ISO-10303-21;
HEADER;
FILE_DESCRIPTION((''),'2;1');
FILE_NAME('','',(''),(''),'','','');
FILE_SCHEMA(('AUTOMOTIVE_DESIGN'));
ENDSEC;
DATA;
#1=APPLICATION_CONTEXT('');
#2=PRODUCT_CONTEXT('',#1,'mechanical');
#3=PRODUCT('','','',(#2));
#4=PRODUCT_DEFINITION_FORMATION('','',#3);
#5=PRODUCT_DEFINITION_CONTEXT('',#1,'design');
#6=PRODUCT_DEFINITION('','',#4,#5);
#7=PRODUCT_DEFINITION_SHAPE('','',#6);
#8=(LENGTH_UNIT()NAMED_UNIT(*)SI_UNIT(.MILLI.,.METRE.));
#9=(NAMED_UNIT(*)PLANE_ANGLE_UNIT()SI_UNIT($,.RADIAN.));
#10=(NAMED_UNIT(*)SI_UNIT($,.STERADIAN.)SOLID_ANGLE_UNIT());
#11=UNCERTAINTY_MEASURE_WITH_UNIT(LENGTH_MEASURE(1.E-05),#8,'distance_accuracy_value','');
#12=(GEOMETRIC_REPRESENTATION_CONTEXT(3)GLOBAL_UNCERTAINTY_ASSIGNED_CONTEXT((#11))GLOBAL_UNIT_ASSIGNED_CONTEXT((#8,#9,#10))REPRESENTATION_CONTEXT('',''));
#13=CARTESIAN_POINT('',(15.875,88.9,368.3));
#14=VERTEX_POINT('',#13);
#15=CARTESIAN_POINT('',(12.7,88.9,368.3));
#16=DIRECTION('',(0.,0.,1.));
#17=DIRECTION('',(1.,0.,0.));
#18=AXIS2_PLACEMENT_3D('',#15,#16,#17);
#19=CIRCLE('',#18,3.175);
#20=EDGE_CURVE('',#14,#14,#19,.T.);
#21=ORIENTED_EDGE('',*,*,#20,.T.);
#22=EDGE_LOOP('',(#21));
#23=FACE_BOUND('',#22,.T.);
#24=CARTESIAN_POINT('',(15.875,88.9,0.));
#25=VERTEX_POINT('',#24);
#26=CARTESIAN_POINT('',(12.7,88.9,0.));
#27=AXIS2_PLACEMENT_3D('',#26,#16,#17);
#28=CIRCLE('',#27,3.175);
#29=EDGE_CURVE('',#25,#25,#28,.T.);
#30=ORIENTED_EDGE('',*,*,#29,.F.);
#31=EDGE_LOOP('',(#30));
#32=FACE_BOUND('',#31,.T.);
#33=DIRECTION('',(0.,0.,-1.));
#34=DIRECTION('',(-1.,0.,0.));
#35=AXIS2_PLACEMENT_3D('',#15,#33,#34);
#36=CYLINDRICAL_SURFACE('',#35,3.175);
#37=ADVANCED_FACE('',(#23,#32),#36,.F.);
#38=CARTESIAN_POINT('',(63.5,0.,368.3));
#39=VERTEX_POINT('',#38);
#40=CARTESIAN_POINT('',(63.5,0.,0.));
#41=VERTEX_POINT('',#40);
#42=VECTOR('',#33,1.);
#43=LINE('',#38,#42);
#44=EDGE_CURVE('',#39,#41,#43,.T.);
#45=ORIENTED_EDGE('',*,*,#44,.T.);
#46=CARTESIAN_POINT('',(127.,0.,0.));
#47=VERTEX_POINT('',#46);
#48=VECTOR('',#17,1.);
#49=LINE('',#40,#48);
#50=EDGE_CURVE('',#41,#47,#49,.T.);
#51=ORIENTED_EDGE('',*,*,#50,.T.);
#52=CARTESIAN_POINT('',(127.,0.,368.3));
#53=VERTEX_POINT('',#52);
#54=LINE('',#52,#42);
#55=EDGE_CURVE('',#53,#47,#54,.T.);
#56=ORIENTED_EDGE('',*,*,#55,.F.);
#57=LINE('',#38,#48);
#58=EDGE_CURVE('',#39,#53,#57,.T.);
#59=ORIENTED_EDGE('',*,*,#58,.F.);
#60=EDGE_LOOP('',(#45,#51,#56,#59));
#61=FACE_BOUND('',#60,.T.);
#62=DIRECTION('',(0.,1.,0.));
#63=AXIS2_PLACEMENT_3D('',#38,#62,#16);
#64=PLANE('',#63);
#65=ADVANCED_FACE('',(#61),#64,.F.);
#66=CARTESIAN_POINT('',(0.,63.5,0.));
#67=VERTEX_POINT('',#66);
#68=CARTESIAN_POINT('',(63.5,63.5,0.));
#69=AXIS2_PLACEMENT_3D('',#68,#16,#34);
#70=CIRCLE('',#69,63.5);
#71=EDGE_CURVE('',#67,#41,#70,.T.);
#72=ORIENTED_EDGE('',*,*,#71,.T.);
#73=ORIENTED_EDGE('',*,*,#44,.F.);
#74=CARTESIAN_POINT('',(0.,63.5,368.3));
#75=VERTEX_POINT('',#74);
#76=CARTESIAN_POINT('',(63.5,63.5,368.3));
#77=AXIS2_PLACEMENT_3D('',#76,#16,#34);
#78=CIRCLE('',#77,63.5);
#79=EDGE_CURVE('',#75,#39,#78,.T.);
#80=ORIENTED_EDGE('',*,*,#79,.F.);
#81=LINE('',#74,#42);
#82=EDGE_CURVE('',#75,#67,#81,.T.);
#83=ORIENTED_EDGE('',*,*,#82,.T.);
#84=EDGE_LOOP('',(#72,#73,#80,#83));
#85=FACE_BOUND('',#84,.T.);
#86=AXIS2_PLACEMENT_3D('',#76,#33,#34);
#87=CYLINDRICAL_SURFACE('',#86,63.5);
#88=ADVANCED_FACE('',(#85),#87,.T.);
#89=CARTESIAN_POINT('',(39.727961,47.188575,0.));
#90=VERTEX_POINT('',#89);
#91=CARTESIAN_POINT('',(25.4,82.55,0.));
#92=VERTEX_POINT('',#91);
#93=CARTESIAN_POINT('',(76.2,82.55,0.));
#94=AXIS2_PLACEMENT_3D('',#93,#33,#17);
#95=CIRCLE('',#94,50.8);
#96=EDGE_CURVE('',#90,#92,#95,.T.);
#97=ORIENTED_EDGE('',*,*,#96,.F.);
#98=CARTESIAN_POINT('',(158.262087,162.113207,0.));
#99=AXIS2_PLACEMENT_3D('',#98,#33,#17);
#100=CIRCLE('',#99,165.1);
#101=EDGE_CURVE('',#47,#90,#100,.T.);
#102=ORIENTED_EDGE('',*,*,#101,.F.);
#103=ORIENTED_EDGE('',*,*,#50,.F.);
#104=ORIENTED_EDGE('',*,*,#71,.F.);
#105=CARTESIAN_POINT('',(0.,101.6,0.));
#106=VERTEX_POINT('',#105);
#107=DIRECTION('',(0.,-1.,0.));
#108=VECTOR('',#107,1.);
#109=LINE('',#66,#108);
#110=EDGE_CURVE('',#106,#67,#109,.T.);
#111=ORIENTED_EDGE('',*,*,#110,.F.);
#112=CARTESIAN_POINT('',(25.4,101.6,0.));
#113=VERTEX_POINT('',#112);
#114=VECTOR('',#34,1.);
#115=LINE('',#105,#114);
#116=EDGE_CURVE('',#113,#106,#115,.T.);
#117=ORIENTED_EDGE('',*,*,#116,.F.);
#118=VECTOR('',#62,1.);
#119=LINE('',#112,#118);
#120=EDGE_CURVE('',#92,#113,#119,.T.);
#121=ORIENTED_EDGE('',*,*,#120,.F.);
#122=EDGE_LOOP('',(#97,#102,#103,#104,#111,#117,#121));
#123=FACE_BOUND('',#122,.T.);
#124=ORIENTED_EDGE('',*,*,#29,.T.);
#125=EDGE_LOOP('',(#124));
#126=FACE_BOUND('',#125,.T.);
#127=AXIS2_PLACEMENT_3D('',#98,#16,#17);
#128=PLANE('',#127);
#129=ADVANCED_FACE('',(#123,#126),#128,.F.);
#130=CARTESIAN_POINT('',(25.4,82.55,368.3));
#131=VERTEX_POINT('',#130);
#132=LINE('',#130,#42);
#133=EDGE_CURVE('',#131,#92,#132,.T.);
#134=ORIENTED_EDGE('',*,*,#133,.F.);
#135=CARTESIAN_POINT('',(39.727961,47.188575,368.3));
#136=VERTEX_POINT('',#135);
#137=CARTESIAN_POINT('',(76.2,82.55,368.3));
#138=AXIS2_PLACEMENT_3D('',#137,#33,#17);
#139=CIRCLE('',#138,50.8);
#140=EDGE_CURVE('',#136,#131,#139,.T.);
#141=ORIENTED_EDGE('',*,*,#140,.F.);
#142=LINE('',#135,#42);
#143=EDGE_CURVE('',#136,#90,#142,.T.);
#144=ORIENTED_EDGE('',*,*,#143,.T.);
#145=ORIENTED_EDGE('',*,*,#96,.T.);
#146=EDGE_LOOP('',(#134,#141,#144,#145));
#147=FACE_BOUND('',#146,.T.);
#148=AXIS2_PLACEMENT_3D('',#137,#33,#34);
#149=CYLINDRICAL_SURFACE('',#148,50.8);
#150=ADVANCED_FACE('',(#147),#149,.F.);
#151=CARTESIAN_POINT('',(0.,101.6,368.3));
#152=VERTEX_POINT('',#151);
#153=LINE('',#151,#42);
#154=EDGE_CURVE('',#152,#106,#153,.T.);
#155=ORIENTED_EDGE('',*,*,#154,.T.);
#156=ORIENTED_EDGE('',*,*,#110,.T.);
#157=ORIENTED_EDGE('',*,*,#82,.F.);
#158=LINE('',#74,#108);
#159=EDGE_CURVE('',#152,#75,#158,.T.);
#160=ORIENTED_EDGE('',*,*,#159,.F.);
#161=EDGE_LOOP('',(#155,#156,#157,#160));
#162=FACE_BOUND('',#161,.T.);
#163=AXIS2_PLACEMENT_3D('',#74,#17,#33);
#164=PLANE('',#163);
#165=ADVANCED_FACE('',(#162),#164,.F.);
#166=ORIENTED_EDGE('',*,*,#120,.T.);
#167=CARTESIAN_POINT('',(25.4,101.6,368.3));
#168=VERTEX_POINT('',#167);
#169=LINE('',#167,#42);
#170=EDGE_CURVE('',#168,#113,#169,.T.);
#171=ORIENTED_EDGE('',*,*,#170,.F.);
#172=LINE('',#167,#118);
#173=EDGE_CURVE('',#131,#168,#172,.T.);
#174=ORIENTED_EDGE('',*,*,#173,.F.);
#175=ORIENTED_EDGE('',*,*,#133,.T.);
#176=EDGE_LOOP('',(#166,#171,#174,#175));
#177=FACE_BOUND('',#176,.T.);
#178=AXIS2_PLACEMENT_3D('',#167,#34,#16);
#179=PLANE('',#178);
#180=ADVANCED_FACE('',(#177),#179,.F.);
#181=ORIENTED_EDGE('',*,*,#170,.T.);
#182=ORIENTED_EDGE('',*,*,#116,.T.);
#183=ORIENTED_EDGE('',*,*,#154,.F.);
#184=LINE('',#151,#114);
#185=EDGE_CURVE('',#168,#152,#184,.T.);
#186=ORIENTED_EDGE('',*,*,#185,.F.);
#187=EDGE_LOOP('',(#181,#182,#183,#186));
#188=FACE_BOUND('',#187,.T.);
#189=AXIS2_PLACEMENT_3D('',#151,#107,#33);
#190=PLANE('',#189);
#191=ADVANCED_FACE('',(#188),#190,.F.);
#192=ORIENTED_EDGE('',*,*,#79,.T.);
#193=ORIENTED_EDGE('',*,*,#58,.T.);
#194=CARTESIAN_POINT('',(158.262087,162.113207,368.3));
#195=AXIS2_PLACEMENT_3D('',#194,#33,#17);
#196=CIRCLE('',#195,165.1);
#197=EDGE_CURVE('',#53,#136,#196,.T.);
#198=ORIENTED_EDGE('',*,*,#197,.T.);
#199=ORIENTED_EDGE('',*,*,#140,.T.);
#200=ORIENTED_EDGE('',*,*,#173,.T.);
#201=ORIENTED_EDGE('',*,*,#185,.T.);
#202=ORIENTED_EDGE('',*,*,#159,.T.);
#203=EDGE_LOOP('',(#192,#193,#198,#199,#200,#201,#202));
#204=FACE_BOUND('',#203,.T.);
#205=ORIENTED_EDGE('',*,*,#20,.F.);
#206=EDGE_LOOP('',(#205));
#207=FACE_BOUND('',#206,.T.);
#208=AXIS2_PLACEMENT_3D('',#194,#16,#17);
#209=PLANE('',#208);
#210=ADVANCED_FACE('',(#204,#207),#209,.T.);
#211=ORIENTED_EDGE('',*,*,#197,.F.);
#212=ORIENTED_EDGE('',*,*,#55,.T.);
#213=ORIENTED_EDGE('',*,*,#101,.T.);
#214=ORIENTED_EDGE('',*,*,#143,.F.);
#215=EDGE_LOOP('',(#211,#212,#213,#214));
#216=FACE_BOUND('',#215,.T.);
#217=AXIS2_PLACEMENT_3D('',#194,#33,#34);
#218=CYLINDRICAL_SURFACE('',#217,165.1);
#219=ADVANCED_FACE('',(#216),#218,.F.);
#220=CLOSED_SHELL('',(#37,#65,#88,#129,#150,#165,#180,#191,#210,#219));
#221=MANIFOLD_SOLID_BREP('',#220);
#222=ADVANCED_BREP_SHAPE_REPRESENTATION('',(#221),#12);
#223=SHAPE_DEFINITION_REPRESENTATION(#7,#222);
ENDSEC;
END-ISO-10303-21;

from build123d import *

# Parameters (mm, degrees)
SKETCH1_R           = 3.175
BOSS_EXTRUDE1_DEPTH = 368.3


with BuildPart() as part:
    # Sketch1 → Boss-Extrude1 (new body)
    with BuildSketch(Plane.XY):
        with BuildLine():
            Line((63.5, 0), (127, 0))
            ThreePointArc((127, 0), (79.735551891, 16.883756508), (39.72796149, 47.188574592))
            ThreePointArc((39.72796149, 47.188574592), (29.118052524, 63.473044744), (25.4, 82.55))
            Line((25.4, 82.55), (25.4, 101.6))
            Line((25.4, 101.6), (0, 101.6))
            Line((0, 101.6), (0, 63.5))
            ThreePointArc((0, 63.5), (18.598719395, 18.598719395), (63.5, 0))
        make_face()
        with Locations((12.7, 88.9)):
            Circle(SKETCH1_R, mode=Mode.SUBTRACT)
    extrude(amount=BOSS_EXTRUDE1_DEPTH)


solid = part.part
